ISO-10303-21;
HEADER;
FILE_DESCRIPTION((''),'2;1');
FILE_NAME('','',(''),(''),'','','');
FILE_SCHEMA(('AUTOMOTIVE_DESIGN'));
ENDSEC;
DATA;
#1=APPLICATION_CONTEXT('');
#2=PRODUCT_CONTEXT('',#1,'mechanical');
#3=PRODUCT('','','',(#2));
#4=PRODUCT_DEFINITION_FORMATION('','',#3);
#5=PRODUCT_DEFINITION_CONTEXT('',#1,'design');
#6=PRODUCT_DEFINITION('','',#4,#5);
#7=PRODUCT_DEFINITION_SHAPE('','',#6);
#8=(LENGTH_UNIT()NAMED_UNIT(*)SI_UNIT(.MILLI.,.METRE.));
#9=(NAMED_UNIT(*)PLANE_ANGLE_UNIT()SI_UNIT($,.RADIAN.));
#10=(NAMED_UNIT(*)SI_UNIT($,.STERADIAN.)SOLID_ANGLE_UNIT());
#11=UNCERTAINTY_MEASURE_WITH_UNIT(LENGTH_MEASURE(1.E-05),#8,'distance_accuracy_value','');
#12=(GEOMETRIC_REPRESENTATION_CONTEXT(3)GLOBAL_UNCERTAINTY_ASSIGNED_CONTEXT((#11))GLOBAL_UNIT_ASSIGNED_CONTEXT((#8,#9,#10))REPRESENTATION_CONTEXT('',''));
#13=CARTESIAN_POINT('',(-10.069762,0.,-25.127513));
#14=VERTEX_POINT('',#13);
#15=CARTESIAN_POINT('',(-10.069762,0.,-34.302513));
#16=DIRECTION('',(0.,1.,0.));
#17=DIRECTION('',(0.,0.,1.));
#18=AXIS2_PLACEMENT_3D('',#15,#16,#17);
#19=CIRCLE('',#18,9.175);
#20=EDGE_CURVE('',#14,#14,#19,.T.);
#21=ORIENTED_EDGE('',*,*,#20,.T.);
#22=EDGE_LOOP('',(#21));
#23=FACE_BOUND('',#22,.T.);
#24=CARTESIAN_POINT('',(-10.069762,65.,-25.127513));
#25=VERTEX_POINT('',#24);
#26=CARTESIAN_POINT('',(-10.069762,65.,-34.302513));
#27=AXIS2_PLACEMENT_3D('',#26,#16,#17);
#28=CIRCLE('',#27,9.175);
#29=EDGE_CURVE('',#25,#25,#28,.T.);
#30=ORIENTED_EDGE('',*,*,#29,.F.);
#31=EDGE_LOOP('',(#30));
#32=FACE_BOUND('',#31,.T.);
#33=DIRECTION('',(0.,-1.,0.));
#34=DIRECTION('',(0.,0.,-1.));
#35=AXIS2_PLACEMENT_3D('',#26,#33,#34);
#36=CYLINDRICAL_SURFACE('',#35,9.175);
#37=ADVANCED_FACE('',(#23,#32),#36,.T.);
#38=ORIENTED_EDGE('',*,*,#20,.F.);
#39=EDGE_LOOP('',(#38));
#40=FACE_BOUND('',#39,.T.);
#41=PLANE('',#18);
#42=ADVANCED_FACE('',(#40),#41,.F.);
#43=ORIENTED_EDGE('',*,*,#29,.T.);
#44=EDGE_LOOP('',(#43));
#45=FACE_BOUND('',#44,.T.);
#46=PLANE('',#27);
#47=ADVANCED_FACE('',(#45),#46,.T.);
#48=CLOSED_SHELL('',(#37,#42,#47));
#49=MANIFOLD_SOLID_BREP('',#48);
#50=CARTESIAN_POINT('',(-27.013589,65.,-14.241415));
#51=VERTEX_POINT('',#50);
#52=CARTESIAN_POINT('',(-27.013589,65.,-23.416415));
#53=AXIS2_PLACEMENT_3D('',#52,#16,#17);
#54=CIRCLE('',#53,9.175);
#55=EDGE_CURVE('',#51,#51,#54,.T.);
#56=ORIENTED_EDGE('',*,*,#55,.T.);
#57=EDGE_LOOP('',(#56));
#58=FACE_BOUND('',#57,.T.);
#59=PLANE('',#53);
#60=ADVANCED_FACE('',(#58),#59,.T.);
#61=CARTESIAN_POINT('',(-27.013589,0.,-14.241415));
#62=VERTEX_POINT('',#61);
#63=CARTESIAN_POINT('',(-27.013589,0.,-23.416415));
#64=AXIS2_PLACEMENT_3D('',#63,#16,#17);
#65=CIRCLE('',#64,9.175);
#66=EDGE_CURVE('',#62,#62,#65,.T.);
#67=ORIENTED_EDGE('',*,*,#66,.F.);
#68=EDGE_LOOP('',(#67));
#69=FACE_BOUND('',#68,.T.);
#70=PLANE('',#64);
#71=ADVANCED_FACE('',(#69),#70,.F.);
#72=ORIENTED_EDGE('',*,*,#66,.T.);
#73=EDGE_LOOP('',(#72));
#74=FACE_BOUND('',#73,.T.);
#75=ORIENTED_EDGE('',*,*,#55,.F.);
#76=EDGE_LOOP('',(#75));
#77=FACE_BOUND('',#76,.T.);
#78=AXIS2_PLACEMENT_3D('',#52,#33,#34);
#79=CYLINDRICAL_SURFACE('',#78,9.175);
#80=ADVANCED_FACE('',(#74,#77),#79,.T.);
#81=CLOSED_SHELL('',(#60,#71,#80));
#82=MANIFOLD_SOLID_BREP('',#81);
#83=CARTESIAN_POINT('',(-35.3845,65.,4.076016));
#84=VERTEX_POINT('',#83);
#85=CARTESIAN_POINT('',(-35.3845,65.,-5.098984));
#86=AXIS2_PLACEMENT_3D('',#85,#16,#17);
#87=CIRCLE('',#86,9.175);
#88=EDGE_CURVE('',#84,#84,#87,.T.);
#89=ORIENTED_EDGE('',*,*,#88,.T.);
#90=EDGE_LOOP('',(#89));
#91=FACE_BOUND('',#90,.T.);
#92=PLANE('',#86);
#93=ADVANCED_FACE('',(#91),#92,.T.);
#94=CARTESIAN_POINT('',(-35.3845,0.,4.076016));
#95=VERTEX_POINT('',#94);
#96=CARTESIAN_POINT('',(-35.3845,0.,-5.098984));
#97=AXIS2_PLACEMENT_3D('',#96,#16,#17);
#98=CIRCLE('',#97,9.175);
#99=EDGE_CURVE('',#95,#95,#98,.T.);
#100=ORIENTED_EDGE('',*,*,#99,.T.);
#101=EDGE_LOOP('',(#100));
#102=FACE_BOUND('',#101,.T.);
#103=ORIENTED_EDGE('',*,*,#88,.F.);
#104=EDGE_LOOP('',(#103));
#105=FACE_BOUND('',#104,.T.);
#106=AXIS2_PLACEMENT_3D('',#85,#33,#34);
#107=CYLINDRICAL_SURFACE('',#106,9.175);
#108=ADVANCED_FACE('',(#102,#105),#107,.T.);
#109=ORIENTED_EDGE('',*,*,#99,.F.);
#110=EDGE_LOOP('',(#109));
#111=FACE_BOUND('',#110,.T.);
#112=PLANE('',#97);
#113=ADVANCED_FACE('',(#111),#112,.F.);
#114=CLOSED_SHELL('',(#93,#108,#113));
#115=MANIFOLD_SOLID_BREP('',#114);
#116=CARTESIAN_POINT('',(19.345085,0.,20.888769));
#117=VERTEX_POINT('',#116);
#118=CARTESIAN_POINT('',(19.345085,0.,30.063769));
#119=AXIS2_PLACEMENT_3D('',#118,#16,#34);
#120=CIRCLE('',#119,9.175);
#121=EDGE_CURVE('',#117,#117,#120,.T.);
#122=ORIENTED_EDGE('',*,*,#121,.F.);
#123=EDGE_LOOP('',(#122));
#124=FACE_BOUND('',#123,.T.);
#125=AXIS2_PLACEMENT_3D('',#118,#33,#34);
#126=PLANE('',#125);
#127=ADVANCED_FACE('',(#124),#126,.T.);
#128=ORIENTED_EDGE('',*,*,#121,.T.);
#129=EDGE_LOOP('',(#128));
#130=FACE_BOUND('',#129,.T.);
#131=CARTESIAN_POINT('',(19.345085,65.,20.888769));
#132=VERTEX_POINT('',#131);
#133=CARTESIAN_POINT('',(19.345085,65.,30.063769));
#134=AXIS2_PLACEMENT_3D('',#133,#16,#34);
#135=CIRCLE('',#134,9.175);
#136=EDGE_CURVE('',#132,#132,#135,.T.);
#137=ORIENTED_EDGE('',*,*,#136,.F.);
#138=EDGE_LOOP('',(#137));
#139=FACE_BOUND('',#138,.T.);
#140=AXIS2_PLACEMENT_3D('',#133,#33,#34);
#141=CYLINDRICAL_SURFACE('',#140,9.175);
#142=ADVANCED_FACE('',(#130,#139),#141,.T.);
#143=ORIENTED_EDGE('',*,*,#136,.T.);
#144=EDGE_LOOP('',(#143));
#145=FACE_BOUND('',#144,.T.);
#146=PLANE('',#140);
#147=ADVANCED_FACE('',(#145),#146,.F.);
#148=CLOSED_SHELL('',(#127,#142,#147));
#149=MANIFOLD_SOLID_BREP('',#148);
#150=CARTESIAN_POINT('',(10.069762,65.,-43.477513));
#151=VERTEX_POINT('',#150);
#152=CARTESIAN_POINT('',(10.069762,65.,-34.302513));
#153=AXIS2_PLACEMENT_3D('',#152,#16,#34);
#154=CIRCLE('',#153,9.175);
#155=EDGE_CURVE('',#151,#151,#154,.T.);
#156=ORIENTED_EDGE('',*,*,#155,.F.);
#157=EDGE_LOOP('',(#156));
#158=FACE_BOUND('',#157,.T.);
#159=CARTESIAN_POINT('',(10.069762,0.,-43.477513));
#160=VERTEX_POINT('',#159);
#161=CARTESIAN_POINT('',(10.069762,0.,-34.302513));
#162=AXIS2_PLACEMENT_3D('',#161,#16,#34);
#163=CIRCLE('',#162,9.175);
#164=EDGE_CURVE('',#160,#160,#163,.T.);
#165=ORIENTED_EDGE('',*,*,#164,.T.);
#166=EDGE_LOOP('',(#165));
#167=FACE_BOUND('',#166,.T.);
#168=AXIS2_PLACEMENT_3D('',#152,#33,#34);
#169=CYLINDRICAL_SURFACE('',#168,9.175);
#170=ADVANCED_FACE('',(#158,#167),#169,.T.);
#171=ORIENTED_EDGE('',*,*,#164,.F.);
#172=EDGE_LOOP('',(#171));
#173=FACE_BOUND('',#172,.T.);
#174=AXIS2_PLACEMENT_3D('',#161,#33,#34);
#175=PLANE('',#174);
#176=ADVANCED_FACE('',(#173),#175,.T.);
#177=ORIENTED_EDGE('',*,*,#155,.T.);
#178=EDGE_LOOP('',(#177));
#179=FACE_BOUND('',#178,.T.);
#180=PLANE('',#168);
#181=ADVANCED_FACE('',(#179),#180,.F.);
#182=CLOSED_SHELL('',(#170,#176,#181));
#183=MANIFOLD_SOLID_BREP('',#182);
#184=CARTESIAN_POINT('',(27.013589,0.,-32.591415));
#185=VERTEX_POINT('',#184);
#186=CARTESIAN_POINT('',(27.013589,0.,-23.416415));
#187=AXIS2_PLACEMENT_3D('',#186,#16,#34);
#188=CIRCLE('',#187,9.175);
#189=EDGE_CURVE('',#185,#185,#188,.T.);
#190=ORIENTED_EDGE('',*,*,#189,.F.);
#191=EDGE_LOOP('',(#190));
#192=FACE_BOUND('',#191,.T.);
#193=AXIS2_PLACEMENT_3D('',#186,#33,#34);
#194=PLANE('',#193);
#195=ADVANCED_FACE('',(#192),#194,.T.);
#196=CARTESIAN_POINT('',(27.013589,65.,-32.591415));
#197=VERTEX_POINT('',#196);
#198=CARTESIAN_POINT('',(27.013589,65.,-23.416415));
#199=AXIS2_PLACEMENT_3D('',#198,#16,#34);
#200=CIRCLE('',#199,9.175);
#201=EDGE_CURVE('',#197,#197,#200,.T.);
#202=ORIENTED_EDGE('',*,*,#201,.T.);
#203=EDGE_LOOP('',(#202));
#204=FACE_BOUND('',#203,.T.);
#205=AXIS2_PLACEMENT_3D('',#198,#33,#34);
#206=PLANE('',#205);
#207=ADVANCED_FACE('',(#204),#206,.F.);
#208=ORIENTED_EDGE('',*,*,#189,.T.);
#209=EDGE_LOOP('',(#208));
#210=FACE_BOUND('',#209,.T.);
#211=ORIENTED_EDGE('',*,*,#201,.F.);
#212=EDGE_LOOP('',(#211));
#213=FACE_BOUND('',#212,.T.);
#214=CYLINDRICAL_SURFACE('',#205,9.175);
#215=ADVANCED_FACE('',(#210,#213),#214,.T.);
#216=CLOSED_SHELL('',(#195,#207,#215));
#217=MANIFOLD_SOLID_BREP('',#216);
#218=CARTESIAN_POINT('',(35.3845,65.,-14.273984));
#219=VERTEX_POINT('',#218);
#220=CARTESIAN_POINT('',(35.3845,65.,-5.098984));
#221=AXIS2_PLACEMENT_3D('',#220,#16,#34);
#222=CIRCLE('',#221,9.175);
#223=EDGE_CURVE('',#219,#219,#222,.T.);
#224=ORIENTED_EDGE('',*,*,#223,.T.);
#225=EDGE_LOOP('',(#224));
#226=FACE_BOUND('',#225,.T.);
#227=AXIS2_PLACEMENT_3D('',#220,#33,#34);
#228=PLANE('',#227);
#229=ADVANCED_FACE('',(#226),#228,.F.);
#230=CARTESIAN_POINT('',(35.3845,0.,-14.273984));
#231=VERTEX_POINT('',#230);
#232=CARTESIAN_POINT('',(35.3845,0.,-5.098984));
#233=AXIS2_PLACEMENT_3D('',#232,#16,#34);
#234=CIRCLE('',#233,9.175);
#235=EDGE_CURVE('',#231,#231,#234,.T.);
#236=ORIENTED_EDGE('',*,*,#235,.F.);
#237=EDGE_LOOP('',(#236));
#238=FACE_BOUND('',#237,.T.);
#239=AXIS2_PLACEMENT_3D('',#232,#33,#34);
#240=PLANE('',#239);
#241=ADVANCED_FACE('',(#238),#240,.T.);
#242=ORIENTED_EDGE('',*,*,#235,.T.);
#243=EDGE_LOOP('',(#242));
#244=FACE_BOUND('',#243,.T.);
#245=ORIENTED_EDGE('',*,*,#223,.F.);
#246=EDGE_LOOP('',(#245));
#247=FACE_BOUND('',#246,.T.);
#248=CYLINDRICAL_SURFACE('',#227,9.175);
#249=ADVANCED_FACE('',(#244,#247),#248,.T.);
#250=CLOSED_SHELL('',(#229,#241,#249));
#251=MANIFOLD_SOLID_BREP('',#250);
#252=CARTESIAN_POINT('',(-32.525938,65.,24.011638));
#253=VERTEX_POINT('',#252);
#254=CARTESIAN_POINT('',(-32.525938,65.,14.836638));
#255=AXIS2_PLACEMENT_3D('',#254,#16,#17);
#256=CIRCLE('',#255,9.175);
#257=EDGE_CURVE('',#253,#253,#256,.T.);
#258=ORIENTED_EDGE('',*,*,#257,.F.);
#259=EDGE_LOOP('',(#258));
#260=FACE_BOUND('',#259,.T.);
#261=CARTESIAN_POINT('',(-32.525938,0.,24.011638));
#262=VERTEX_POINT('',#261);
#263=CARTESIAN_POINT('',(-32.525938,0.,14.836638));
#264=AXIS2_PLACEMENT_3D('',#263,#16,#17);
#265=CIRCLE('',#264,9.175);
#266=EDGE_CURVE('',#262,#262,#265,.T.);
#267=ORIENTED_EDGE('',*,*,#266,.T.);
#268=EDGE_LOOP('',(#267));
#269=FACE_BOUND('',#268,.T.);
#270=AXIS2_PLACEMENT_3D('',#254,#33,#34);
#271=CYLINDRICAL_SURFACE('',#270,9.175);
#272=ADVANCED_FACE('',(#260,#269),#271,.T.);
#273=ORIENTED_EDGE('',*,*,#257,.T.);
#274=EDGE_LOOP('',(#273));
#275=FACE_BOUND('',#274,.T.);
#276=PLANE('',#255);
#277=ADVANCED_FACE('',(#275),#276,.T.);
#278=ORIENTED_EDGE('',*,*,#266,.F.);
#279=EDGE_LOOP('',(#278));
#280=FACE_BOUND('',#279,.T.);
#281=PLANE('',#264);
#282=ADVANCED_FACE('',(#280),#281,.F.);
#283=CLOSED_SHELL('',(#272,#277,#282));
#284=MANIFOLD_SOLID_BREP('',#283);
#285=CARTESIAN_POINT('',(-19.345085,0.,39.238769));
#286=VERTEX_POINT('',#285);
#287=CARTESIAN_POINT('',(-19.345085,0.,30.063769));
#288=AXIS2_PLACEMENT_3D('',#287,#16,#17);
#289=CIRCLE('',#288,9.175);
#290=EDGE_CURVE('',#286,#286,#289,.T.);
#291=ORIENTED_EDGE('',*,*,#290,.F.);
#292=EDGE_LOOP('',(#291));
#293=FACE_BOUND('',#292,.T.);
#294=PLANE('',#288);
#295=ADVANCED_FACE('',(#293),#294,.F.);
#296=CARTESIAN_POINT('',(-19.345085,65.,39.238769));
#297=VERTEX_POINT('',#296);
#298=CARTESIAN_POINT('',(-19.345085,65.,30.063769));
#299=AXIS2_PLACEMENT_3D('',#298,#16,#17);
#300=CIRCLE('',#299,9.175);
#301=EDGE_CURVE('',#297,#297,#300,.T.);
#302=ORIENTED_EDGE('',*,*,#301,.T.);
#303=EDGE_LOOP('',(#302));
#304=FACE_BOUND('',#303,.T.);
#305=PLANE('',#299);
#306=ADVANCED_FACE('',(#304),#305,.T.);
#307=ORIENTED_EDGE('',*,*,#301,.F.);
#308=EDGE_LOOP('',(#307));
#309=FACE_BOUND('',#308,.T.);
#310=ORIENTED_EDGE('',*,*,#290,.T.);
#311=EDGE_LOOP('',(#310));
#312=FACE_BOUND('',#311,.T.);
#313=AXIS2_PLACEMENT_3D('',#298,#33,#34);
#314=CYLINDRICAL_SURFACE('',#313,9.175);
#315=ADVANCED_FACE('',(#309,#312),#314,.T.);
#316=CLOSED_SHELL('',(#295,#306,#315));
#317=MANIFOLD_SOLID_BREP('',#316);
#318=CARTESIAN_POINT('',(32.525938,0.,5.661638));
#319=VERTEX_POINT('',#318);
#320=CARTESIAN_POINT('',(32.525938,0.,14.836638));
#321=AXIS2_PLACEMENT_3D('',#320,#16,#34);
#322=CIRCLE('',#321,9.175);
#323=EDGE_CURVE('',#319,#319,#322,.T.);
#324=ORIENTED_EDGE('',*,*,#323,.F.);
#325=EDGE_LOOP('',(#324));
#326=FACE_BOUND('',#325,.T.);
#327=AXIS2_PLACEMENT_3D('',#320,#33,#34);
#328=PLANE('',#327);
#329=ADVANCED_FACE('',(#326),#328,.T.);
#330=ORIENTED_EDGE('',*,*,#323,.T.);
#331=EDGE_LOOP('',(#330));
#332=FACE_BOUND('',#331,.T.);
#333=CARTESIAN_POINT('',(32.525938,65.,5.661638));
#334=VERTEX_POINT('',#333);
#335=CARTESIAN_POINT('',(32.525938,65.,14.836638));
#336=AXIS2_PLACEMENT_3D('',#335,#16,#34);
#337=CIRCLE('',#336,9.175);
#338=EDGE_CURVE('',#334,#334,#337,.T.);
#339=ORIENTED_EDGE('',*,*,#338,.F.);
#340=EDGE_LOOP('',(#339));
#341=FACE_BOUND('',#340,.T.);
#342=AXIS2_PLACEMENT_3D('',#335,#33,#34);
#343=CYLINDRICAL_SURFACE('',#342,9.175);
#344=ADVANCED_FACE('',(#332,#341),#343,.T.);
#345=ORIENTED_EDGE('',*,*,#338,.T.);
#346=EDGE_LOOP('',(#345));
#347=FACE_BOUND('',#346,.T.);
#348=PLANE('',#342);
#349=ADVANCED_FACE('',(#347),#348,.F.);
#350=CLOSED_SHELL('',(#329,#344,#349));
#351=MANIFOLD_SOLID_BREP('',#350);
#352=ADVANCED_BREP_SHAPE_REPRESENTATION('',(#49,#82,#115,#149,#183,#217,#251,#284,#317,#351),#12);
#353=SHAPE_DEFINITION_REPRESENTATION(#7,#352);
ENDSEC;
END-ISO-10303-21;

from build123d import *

# Parameters (mm, degrees)
SKETCH1_R              = 9.175
BOSS_EXTRUDE1_DEPTH    = 65
BOSS_EXTRUDE1_2_DEPTH  = 65
BOSS_EXTRUDE1_3_DEPTH  = 65
BOSS_EXTRUDE1_4_DEPTH  = 65
BOSS_EXTRUDE1_5_DEPTH  = 65
BOSS_EXTRUDE1_6_DEPTH  = 65
BOSS_EXTRUDE1_7_DEPTH  = 65
BOSS_EXTRUDE1_8_DEPTH  = 65
BOSS_EXTRUDE1_9_DEPTH  = 65
BOSS_EXTRUDE1_10_DEPTH = 65


with BuildPart() as part:
    # Sketch1 → Boss-Extrude1 (new body)
    with BuildSketch(Plane(origin=(0, 0, 0), x_dir=(1, 0, 0), z_dir=(0, 1, 0))):
        with Locations(Location((-10.069761866, 34.302512969, 0), (0, 0, 270))):
            Circle(SKETCH1_R)
    extrude(amount=BOSS_EXTRUDE1_DEPTH)


with BuildPart() as body_2:
    # Sketch1 → Boss-Extrude1 2 (new body)
    with BuildSketch(Plane(origin=(0, 0, 0), x_dir=(1, 0, 0), z_dir=(0, 1, 0))):
        with Locations(Location((-27.013589298, 23.416415038, 0), (0, 0, 270))):
            Circle(SKETCH1_R)
    extrude(amount=BOSS_EXTRUDE1_2_DEPTH)


with BuildPart() as body_3:
    # Sketch1 → Boss-Extrude1 3 (new body)
    with BuildSketch(Plane(origin=(0, 0, 0), x_dir=(1, 0, 0), z_dir=(0, 1, 0))):
        with Locations(Location((-35.384500255, 5.09898438, 0), (0, 0, 270))):
            Circle(SKETCH1_R)
    extrude(amount=BOSS_EXTRUDE1_3_DEPTH)


with BuildPart() as body_4:
    # Sketch1 → Boss-Extrude1 4 (new body)
    with BuildSketch(Plane(origin=(0, 0, 0), x_dir=(1, 0, 0), z_dir=(0, 1, 0))):
        with Locations(Location((-32.525938452, -14.836638023, 0), (0, 0, 270))):
            Circle(SKETCH1_R)
    extrude(amount=BOSS_EXTRUDE1_4_DEPTH)


with BuildPart() as body_5:
    # Sketch1 → Boss-Extrude1 5 (new body)
    with BuildSketch(Plane(origin=(0, 0, 0), x_dir=(1, 0, 0), z_dir=(0, 1, 0))):
        with Locations(Location((-19.345084764, -30.063768817, 0), (0, 0, 270))):
            Circle(SKETCH1_R)
    extrude(amount=BOSS_EXTRUDE1_5_DEPTH)


with BuildPart() as body_6:
    # Sketch1 → Boss-Extrude1 6 (new body)
    with BuildSketch(Plane(origin=(0, 0, 0), x_dir=(1, 0, 0), z_dir=(0, 1, 0))):
        with Locations(Location((19.345084764, -30.063768817, 0), (0, 0, 90))):
            Circle(SKETCH1_R)
    extrude(amount=BOSS_EXTRUDE1_6_DEPTH)


with BuildPart() as body_7:
    # Sketch1 → Boss-Extrude1 7 (new body)
    with BuildSketch(Plane(origin=(0, 0, 0), x_dir=(1, 0, 0), z_dir=(0, 1, 0))):
        with Locations(Location((32.525938452, -14.836638023, 0), (0, 0, 90))):
            Circle(SKETCH1_R)
    extrude(amount=BOSS_EXTRUDE1_7_DEPTH)


with BuildPart() as body_8:
    # Sketch1 → Boss-Extrude1 8 (new body)
    with BuildSketch(Plane(origin=(0, 0, 0), x_dir=(1, 0, 0), z_dir=(0, 1, 0))):
        with Locations(Location((35.384500255, 5.09898438, 0), (0, 0, 90))):
            Circle(SKETCH1_R)
    extrude(amount=BOSS_EXTRUDE1_8_DEPTH)


with BuildPart() as body_9:
    # Sketch1 → Boss-Extrude1 9 (new body)
    with BuildSketch(Plane(origin=(0, 0, 0), x_dir=(1, 0, 0), z_dir=(0, 1, 0))):
        with Locations(Location((27.013589298, 23.416415038, 0), (0, 0, 90))):
            Circle(SKETCH1_R)
    extrude(amount=BOSS_EXTRUDE1_9_DEPTH)


with BuildPart() as body_10:
    # Sketch1 → Boss-Extrude1 10 (new body)
    with BuildSketch(Plane(origin=(0, 0, 0), x_dir=(1, 0, 0), z_dir=(0, 1, 0))):
        with Locations(Location((10.069761866, 34.302512969, 0), (0, 0, 90))):
            Circle(SKETCH1_R)
    extrude(amount=BOSS_EXTRUDE1_10_DEPTH)


solid = Compound([part.part, body_2.part, body_3.part, body_4.part, body_5.part, body_6.part, body_7.part, body_8.part, body_9.part, body_10.part])
